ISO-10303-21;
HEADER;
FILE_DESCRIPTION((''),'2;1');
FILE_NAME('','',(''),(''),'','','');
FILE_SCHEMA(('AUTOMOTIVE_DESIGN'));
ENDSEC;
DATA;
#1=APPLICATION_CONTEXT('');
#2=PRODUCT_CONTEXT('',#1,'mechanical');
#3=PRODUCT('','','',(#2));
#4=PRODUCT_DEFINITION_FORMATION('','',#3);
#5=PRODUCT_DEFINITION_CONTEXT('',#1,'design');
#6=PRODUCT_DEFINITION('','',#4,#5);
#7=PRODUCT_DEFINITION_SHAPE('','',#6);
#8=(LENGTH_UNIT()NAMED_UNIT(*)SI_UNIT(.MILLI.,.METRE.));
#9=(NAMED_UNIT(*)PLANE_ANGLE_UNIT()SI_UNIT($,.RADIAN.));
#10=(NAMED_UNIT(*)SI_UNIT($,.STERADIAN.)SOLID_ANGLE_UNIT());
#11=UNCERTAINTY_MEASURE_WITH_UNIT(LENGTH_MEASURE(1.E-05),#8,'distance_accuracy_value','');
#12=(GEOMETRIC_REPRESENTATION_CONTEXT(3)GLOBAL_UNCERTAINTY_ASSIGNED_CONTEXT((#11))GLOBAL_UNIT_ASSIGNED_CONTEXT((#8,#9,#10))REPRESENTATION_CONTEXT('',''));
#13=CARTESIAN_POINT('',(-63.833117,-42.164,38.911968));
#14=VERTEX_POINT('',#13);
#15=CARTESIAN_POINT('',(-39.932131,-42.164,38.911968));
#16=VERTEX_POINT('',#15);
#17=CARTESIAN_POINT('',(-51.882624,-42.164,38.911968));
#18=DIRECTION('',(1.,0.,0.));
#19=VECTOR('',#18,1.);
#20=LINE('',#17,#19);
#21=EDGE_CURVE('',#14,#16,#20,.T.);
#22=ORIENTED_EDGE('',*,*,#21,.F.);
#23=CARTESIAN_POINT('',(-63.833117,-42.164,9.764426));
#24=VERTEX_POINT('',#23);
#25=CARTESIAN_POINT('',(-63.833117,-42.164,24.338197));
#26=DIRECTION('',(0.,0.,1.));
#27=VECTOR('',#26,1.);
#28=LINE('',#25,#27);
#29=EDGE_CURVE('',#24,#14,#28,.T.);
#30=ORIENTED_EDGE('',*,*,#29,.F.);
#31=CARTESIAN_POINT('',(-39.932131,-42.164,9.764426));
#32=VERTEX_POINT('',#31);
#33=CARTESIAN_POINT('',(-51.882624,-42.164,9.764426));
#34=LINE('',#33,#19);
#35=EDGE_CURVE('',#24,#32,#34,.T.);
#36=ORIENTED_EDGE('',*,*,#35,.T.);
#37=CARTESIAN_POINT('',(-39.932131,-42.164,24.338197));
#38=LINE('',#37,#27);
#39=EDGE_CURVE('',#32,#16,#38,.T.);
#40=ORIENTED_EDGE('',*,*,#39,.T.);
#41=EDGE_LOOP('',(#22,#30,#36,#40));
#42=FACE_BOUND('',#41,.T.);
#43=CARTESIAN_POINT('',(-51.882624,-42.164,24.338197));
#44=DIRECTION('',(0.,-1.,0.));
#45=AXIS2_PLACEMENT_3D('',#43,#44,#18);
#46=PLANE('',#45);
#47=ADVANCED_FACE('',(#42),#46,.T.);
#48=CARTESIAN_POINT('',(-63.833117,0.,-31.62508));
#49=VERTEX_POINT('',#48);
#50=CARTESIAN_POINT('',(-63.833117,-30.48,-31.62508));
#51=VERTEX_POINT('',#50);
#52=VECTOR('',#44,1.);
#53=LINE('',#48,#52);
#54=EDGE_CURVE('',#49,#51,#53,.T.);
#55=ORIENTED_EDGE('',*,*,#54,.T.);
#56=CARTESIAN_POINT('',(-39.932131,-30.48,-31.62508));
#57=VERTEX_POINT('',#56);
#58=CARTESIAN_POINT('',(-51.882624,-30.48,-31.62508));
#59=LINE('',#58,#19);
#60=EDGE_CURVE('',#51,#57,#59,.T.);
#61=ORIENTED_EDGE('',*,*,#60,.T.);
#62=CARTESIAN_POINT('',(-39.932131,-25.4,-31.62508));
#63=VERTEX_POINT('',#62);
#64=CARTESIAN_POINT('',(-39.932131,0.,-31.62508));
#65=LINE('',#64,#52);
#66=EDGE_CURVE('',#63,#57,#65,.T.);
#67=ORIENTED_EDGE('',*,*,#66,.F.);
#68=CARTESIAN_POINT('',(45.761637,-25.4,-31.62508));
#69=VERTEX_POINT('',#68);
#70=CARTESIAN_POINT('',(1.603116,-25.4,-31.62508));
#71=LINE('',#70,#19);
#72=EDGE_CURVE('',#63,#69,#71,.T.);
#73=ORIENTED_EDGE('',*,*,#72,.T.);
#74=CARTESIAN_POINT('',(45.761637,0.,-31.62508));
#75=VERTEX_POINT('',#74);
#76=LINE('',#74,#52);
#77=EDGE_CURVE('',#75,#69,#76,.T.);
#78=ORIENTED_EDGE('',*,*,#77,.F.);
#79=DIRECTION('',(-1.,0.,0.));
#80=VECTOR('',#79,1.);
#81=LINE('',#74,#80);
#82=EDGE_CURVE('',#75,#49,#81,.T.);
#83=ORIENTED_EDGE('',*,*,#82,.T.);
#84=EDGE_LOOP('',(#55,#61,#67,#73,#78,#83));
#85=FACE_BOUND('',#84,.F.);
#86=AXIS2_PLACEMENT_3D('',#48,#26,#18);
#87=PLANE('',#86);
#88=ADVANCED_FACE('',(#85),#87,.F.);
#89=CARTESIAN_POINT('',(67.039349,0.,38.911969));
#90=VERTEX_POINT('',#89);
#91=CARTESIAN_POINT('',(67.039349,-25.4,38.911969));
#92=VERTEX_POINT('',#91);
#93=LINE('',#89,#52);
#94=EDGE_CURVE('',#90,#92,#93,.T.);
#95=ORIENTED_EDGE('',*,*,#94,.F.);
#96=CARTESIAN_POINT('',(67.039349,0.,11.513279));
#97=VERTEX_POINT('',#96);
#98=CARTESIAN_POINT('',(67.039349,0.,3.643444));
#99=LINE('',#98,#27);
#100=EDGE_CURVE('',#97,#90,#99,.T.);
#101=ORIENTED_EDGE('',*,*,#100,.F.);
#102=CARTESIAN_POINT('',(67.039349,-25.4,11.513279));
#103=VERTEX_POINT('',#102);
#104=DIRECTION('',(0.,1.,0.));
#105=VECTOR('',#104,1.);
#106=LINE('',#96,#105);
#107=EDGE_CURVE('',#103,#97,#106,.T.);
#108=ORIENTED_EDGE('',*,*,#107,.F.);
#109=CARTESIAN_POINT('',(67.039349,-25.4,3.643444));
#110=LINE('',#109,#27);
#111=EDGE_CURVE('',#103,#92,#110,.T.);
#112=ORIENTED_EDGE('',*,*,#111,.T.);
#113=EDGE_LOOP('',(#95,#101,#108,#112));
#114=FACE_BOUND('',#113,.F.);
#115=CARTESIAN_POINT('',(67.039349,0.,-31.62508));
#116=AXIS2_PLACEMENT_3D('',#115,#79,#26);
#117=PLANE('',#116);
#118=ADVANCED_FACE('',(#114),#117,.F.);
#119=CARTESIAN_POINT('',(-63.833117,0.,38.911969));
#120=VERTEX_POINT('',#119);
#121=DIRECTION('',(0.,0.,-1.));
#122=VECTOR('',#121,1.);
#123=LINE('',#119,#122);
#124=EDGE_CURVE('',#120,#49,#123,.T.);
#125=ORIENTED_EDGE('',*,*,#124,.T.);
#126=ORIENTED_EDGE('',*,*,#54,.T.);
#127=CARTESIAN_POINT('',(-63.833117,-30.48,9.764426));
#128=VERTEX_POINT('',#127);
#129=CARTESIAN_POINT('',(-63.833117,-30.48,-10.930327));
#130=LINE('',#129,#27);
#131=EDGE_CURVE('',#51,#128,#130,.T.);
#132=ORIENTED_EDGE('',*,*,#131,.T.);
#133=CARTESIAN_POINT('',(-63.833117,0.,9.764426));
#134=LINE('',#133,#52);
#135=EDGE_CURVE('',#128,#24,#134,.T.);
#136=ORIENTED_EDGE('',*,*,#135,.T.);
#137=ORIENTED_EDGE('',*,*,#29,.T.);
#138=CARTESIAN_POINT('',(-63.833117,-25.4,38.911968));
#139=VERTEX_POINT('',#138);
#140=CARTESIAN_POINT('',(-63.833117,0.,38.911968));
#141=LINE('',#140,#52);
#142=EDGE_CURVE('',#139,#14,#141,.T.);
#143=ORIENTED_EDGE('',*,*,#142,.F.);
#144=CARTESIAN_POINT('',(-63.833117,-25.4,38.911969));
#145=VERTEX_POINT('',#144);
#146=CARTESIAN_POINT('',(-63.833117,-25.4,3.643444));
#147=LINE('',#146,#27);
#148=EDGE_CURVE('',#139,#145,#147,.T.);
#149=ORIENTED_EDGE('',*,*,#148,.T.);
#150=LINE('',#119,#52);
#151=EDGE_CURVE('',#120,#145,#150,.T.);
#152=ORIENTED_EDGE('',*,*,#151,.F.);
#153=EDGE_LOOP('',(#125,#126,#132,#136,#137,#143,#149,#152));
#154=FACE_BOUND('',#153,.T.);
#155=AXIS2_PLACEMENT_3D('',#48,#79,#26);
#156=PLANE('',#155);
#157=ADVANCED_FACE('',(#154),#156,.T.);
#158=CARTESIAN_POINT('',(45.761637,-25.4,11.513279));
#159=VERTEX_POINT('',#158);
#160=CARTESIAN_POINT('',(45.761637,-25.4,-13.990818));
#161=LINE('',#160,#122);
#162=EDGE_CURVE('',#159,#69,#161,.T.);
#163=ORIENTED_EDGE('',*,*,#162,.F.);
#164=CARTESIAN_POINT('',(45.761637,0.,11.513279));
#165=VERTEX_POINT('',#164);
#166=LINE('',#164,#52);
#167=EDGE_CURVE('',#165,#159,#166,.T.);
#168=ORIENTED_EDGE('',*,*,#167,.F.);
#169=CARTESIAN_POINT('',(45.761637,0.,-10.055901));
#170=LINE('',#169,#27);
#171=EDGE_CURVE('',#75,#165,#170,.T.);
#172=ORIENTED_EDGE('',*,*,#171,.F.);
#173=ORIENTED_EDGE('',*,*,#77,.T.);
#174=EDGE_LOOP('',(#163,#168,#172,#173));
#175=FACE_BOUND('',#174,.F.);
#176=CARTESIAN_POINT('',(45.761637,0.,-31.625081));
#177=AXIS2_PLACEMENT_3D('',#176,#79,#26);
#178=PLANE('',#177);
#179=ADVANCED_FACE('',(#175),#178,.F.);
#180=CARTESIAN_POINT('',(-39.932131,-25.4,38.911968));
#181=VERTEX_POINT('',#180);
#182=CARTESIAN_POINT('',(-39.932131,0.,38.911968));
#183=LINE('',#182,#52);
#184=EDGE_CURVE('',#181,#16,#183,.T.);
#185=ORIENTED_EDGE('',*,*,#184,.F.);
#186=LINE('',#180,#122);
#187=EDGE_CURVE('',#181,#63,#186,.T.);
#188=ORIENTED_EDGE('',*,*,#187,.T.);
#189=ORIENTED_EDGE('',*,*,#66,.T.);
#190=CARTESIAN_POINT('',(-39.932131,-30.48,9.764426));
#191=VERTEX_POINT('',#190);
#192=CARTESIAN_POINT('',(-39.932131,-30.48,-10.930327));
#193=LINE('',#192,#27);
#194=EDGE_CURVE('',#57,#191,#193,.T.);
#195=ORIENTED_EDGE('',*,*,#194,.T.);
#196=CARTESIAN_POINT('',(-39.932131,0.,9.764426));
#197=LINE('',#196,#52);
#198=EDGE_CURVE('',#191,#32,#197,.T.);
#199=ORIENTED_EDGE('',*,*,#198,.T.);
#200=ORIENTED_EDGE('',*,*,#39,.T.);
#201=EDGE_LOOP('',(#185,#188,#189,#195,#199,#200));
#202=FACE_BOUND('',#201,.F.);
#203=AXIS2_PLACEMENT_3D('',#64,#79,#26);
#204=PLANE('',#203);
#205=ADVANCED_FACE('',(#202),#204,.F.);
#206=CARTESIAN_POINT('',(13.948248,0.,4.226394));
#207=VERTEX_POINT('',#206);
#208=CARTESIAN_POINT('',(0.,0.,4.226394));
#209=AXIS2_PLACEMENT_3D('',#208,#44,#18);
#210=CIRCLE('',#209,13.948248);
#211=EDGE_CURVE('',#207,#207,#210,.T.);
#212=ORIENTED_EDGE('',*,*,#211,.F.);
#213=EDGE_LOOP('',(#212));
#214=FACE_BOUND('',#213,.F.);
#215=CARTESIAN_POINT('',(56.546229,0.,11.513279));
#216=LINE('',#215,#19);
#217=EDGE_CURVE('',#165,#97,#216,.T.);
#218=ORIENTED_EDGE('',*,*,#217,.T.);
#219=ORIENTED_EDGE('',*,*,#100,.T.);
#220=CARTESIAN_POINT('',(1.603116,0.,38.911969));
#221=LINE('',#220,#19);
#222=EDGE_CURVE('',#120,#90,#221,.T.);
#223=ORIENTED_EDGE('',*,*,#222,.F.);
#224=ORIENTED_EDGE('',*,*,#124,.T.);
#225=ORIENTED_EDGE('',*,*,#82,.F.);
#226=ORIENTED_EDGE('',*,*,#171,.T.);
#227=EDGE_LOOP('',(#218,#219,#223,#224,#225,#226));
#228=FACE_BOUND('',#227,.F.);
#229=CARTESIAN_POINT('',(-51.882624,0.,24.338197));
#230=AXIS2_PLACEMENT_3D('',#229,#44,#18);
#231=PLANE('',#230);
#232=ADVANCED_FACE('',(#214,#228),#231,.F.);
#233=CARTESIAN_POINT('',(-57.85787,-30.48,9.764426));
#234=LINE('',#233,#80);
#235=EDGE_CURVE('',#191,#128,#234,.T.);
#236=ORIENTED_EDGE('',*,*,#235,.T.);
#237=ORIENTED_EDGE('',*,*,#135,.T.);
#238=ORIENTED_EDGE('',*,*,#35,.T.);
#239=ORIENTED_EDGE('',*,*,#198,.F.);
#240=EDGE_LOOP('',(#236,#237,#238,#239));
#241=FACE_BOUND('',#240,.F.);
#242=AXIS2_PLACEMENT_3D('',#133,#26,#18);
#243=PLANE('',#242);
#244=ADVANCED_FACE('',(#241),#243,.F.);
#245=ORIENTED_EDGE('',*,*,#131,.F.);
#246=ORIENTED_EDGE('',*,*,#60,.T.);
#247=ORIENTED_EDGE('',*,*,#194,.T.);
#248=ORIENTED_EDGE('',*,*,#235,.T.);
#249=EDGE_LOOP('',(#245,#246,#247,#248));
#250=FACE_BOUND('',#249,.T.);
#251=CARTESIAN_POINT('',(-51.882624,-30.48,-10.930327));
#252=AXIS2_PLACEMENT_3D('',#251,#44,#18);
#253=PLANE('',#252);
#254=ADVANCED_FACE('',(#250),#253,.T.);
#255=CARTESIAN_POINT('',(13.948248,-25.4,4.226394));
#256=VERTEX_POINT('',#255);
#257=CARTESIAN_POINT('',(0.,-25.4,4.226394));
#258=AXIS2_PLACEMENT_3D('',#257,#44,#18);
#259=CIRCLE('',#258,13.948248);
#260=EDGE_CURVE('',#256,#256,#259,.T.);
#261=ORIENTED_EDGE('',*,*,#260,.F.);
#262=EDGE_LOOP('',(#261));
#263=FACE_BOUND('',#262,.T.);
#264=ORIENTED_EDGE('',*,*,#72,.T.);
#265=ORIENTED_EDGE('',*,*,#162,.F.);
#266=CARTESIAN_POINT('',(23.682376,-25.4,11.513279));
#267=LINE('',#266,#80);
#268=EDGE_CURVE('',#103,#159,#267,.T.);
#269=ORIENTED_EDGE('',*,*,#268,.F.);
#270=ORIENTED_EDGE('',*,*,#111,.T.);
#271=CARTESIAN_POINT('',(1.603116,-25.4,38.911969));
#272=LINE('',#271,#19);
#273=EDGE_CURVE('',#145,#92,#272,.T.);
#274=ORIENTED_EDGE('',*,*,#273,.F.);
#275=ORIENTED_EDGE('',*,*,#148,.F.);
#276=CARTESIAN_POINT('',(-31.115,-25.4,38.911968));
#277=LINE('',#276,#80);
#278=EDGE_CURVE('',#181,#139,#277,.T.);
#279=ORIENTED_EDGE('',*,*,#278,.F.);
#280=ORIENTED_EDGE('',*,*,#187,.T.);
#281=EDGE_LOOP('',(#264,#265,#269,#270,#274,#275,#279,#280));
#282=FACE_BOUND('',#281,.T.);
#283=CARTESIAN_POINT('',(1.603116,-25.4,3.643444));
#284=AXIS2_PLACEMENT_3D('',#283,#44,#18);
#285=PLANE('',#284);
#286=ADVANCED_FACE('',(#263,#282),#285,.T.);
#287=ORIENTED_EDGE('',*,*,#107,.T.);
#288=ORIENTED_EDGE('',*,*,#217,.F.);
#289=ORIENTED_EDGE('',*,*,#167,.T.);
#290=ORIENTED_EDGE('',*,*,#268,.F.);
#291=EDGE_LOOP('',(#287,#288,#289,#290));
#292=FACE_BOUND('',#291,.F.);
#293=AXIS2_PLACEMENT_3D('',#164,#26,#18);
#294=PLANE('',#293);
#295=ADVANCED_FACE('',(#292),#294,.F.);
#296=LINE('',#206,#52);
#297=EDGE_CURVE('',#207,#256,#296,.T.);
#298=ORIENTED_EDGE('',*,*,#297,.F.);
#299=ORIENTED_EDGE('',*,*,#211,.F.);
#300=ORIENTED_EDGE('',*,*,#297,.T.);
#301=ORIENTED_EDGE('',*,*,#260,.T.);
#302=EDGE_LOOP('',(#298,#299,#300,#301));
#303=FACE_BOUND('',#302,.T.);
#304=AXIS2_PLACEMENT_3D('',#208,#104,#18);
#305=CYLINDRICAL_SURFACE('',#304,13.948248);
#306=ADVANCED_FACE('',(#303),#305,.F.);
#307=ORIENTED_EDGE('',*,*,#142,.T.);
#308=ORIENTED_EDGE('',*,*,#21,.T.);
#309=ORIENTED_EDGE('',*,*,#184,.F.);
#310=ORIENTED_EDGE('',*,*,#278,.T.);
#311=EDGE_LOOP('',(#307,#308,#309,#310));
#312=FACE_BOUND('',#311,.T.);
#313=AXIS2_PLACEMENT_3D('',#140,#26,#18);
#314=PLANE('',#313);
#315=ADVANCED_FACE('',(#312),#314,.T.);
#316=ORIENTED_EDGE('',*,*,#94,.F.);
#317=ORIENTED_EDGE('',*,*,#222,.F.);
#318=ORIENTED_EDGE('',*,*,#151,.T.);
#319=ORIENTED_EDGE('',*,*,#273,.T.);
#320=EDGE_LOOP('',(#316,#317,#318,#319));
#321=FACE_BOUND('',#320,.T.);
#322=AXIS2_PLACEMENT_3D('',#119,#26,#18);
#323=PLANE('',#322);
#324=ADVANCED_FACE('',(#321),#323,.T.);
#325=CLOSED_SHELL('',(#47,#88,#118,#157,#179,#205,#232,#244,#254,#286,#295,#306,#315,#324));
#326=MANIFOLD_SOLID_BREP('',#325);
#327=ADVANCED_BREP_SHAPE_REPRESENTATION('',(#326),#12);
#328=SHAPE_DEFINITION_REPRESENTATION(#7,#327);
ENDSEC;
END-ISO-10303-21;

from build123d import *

# Parameters (mm, degrees)
F0_W     = 130.872465
F0_H     = 70.537049
F0_R     = 13.948248
F1_DEPTH = 25.4
F2_W     = 21.569185
F2_H     = 43.13836
F3_DEPTH = 40.386
F4_W     = 23.900985
F4_H     = 41.389507
F5_DEPTH = 30.48
F6_W     = 23.900985
F6_H     = 29.147542
F7_DEPTH = 42.164


with BuildPart() as f1:
    # F0 (on Front) → F1 (new body)
    with BuildSketch(Plane.XZ):
        with Locations((1.603116, 3.643444)):
            Rectangle(F0_W, F0_H)
        with Locations((0, 4.226394)):
            Circle(F0_R, mode=Mode.SUBTRACT)
    extrude(amount=F1_DEPTH)

    # F2 (on Front) → F3 (cut)
    with BuildSketch(Plane.XZ):
        with Locations((56.546229, -10.055901)):
            Rectangle(F2_W, F2_H)
    extrude(amount=F3_DEPTH, mode=Mode.SUBTRACT)

    # F4 (on Front) → F5 (join)
    with BuildSketch(Plane.XZ):
        with Locations((-51.882624, -10.930327)):
            Rectangle(F4_W, F4_H)
    extrude(amount=F5_DEPTH)

    # F6 (on Front) → F7 (join)
    with BuildSketch(Plane.XZ):
        with Locations((-51.882624, 24.338197)):
            Rectangle(F6_W, F6_H)
    extrude(amount=F7_DEPTH)


solid = f1.part
